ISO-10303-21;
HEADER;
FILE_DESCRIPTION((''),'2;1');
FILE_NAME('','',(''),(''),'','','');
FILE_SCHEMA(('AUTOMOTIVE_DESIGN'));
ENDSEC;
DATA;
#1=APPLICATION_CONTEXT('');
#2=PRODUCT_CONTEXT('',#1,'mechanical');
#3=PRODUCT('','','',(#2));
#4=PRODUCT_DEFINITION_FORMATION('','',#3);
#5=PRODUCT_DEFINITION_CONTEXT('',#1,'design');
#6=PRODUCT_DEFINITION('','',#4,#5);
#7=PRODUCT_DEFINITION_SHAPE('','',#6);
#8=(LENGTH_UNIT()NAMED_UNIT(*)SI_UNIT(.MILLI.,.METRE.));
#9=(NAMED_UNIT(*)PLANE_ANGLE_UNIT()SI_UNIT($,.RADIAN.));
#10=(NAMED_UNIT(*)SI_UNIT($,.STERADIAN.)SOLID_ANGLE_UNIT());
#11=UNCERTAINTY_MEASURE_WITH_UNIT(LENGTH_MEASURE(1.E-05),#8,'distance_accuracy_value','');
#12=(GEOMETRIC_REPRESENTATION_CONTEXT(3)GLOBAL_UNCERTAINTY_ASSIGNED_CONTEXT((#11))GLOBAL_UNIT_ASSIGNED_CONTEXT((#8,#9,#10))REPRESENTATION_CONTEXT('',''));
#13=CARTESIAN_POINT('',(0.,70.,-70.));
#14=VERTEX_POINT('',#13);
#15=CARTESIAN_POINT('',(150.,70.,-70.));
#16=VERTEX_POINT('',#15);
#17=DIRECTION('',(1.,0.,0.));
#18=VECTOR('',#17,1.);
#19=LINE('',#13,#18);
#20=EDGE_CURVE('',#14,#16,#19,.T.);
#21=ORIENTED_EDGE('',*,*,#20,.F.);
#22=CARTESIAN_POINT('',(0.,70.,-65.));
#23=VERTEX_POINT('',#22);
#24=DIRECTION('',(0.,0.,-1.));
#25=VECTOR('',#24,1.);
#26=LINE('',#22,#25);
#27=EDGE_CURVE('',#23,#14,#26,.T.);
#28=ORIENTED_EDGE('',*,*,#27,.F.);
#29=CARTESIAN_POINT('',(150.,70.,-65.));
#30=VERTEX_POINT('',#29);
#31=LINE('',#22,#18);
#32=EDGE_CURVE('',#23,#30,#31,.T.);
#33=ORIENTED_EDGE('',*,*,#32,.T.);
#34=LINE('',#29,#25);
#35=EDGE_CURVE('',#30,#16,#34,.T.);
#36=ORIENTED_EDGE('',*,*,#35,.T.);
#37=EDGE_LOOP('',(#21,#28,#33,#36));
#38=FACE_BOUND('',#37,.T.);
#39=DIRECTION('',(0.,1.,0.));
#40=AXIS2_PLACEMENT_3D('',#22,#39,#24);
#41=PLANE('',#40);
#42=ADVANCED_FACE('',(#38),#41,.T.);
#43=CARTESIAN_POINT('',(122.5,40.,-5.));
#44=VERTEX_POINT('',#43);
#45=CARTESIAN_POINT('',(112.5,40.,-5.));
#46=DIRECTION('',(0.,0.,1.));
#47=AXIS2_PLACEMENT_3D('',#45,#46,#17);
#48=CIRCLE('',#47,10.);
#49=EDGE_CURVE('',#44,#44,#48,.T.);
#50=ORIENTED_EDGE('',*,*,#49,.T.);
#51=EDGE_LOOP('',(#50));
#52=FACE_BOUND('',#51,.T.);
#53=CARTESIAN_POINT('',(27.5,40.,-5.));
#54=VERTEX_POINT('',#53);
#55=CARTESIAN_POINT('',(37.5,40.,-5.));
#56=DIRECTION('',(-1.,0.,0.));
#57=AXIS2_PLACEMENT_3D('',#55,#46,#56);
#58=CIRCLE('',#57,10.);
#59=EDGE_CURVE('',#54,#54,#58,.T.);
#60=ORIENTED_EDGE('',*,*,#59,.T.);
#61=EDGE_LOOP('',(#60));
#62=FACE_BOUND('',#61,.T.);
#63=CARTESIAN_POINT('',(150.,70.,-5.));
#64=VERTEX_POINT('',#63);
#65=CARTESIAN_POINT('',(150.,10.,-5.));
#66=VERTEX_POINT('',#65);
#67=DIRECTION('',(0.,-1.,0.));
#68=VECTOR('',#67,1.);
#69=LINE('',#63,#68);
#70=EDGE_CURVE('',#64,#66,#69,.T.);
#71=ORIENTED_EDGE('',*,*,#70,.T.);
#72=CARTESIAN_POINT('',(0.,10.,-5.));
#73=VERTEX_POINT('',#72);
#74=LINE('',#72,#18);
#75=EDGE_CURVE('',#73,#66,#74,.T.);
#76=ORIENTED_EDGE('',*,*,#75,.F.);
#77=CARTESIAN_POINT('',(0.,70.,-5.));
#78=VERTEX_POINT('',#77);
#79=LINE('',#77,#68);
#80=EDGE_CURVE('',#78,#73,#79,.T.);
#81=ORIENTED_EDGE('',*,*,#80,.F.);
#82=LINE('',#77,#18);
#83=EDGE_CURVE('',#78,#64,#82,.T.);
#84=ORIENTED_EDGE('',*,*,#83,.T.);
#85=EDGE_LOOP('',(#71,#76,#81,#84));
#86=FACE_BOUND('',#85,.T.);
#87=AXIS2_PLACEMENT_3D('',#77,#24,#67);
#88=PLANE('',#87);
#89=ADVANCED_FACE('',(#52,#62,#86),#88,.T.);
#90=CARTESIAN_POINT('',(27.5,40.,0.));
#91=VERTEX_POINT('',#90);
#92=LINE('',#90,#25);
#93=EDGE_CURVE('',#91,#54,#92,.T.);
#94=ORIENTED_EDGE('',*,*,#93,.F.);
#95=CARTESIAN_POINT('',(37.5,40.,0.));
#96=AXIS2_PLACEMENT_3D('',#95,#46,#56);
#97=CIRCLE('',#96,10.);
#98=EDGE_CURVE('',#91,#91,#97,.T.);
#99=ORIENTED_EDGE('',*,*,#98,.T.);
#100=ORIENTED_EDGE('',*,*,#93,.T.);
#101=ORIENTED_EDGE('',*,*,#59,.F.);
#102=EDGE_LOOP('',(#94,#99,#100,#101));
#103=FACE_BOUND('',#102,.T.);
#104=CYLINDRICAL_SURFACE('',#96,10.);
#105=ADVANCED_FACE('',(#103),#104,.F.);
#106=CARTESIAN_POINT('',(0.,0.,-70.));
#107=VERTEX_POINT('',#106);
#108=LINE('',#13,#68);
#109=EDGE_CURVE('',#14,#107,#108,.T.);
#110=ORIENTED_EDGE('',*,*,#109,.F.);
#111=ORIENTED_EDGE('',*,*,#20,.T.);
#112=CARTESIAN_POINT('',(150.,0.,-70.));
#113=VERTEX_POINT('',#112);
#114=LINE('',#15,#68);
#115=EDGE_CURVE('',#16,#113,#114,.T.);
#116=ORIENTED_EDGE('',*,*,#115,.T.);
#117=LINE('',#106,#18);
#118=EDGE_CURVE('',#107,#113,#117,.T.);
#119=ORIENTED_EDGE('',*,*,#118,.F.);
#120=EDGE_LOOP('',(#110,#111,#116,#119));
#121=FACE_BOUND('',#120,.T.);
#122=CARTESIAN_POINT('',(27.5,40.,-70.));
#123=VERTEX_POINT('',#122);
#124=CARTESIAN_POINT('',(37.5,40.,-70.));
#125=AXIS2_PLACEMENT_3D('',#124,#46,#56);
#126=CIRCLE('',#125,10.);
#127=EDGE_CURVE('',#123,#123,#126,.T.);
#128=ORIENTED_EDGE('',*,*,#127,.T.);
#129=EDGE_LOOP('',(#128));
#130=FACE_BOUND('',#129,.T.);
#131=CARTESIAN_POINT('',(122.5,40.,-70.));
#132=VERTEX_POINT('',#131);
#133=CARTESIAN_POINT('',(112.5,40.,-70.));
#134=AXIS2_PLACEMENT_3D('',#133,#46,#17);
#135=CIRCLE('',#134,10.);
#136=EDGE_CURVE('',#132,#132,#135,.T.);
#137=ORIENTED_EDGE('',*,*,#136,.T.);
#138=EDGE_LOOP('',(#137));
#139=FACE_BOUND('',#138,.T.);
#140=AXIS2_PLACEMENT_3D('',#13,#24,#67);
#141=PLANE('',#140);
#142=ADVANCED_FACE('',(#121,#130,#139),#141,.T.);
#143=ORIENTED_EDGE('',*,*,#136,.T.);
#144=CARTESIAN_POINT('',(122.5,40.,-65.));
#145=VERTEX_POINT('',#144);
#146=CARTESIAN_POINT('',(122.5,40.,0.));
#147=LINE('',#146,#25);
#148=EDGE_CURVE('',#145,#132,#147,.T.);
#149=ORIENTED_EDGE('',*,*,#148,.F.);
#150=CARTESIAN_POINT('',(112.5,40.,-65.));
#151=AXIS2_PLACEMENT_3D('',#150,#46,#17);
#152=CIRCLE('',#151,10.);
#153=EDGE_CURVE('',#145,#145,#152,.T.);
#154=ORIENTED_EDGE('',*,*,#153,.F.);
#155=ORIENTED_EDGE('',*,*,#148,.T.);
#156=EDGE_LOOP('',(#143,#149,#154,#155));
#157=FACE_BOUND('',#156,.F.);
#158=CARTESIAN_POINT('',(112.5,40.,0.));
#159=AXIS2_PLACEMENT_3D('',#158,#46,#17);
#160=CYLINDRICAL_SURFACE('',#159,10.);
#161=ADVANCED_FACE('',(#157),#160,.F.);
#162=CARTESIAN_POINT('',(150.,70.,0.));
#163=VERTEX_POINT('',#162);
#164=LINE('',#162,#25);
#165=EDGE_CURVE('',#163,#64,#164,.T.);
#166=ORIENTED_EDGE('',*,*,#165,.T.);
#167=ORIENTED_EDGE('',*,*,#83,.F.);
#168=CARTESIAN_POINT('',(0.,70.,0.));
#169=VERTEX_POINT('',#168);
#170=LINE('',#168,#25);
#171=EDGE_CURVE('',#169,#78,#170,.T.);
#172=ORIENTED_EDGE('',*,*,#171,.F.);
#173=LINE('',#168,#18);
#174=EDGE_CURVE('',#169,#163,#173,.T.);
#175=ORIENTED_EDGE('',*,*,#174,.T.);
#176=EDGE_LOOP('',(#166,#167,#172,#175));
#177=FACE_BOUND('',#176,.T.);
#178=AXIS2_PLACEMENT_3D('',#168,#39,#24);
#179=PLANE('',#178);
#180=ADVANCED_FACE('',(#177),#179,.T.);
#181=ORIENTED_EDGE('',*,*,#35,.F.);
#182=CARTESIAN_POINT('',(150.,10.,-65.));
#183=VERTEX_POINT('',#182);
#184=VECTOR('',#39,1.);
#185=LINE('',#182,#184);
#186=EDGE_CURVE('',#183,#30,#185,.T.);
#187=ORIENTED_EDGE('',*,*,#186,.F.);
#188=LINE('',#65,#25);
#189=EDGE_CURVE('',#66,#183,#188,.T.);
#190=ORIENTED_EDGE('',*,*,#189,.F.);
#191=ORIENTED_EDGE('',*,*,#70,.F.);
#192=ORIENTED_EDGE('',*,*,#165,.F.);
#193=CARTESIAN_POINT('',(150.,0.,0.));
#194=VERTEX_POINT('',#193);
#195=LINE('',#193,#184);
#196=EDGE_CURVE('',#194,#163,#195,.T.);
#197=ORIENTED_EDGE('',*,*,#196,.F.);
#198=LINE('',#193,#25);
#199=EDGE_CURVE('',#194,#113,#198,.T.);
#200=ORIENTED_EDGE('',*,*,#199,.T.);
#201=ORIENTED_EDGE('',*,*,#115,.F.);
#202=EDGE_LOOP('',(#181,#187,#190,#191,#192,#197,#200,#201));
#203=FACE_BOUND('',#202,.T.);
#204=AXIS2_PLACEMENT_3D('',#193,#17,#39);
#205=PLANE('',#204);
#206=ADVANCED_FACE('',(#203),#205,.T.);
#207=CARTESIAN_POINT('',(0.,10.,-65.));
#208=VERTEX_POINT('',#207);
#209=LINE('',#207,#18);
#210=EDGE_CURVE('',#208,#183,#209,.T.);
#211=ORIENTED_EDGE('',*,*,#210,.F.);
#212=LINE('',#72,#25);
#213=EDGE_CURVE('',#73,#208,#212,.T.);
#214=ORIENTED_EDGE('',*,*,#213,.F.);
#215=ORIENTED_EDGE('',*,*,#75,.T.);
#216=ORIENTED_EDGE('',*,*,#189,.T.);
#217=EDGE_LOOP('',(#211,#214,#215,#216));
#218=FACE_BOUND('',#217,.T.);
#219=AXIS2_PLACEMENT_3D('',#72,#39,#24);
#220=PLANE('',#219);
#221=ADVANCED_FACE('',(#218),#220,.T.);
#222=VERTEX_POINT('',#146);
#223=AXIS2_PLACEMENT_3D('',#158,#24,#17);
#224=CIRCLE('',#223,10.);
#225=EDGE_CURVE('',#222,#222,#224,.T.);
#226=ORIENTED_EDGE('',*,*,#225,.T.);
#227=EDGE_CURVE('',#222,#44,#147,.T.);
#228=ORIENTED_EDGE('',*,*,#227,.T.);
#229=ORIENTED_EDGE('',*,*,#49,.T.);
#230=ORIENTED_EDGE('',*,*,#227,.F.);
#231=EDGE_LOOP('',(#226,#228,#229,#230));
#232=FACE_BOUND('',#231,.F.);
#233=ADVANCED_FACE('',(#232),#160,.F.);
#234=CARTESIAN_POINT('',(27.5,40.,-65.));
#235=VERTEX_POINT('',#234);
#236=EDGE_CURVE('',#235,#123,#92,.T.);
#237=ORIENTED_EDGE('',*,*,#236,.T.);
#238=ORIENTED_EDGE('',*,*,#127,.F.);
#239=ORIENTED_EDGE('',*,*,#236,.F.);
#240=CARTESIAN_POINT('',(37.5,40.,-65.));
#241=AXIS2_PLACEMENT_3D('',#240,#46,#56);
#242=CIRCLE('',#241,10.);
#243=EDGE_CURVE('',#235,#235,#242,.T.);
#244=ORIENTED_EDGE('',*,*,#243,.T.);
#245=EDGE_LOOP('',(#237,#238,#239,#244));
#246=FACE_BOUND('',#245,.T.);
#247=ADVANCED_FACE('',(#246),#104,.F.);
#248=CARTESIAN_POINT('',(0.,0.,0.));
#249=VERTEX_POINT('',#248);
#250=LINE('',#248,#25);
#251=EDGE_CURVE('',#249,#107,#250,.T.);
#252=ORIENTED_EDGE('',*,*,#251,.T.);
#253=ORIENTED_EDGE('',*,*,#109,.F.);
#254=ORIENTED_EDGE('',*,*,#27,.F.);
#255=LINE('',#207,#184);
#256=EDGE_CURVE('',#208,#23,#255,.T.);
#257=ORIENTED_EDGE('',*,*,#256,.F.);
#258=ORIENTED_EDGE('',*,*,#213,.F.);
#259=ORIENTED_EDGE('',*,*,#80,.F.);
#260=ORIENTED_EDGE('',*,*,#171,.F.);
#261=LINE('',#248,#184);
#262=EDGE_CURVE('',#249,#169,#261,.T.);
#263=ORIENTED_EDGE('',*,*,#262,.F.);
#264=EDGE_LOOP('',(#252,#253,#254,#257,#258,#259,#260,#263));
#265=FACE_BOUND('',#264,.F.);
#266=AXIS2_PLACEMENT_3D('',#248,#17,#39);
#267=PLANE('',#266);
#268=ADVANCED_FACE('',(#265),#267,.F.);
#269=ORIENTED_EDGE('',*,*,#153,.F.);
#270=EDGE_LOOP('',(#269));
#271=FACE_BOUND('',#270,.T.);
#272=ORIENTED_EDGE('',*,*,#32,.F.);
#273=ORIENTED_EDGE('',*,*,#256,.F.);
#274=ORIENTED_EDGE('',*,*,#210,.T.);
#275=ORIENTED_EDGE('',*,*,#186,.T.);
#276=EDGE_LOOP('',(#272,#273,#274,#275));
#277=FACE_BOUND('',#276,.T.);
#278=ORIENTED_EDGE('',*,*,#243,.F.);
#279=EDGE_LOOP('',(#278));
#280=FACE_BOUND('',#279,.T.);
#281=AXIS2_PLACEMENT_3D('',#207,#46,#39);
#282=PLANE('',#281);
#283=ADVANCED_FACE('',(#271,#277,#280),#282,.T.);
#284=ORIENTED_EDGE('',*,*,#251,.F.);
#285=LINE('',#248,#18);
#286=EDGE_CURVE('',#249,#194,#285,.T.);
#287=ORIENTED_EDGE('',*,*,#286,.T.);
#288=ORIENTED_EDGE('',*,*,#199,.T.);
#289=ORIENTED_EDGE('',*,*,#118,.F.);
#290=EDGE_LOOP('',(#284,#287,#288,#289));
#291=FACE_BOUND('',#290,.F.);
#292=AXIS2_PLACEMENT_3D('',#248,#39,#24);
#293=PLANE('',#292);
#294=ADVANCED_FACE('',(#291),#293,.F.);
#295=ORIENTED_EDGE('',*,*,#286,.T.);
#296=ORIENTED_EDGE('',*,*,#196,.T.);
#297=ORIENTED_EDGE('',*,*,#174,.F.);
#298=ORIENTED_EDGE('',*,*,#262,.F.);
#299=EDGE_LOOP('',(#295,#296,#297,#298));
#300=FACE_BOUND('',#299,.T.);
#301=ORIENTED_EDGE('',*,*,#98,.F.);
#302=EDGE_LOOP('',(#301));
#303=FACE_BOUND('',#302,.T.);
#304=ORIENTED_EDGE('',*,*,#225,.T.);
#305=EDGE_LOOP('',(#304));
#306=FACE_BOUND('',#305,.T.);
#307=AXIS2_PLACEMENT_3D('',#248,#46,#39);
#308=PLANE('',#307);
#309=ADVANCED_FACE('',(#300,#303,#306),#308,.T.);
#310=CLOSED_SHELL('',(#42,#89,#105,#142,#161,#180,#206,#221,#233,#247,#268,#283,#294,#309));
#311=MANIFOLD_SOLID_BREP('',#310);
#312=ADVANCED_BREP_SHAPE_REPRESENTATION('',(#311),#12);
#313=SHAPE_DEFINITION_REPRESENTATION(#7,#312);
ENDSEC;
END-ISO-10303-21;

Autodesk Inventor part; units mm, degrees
ref_plane "YZ Plane" through (0, 0, 0) normal (1, 0, 0) x (0, 1, 0)
ref_plane "XZ Plane" through (0, 0, 0) normal (0, 1, 0) x (-1, 0, 0)
ref_plane "XY Plane" through (0, 0, 0) normal (0, 0, 1) x (1, 0, 0)
sketch "Sketch1" plane through (0, 0, 0) normal (1, 0, 0) x (0, 1, 0)
  line L0 (0, 0) -> (0, -70)
  line L1 (0, 0) -> (70, 0)
  line L2 (70, 0) -> (70, -5)
  line L3 (70, -5) -> (10, -5)
  line L4 (10, -5) -> (10, -65)
  line L5 (10, -65) -> (70, -65)
  line L6 (70, -65) -> (70, -70)
  line L7 (70, -70) -> (0, -70)
  dimension "d0" = 70
  dimension "d1" = 70
  dimension "d2" = 5
  dimension "d3" = 60
  dimension "d4" = 60
  dimension "d5" = 60
  dimension "d6" = 5
extrude "Extrusion1" add sketch "Sketch1" along normal blind 150
sketch "Sketch2" plane through (0, 0, 0) normal (0, 0, 1) x (1, 0, 0)
  line L0 (0, 0) -> (0, 70) projected
  line L1 (150, 70) -> (150, 0) projected
  line L2 (0, 10) -> (150, 10) projected
  line L3 (0, 70) -> (150, 70) projected
  line L4 (75, 70) -> (75, 10)
  line L5 (150, 10) -> (150, 70) projected
  line L6 (75, 70) -> (150, 10)
  line L7 (150, 70) -> (75, 10)
  circle A0 centre (112.5, 40) radius 10
  dimension "d9" = 150
  dimension "d10" = 20
extrude "Extrusion2" cut sketch "Sketch2" against normal blind 150 contours A0 L6 L7 | L7 L6 A0 | A0 L7 L6 | L6 L7 A0
ref_plane "Work Plane1" through (75, 0, 0) normal (1, 0, 0) x (0, 0, -1)
mirror "Mirror1" about plane through (75, 0, 0) normal (1, 0, 0) of "Extrusion2"
properties part number "baza"
